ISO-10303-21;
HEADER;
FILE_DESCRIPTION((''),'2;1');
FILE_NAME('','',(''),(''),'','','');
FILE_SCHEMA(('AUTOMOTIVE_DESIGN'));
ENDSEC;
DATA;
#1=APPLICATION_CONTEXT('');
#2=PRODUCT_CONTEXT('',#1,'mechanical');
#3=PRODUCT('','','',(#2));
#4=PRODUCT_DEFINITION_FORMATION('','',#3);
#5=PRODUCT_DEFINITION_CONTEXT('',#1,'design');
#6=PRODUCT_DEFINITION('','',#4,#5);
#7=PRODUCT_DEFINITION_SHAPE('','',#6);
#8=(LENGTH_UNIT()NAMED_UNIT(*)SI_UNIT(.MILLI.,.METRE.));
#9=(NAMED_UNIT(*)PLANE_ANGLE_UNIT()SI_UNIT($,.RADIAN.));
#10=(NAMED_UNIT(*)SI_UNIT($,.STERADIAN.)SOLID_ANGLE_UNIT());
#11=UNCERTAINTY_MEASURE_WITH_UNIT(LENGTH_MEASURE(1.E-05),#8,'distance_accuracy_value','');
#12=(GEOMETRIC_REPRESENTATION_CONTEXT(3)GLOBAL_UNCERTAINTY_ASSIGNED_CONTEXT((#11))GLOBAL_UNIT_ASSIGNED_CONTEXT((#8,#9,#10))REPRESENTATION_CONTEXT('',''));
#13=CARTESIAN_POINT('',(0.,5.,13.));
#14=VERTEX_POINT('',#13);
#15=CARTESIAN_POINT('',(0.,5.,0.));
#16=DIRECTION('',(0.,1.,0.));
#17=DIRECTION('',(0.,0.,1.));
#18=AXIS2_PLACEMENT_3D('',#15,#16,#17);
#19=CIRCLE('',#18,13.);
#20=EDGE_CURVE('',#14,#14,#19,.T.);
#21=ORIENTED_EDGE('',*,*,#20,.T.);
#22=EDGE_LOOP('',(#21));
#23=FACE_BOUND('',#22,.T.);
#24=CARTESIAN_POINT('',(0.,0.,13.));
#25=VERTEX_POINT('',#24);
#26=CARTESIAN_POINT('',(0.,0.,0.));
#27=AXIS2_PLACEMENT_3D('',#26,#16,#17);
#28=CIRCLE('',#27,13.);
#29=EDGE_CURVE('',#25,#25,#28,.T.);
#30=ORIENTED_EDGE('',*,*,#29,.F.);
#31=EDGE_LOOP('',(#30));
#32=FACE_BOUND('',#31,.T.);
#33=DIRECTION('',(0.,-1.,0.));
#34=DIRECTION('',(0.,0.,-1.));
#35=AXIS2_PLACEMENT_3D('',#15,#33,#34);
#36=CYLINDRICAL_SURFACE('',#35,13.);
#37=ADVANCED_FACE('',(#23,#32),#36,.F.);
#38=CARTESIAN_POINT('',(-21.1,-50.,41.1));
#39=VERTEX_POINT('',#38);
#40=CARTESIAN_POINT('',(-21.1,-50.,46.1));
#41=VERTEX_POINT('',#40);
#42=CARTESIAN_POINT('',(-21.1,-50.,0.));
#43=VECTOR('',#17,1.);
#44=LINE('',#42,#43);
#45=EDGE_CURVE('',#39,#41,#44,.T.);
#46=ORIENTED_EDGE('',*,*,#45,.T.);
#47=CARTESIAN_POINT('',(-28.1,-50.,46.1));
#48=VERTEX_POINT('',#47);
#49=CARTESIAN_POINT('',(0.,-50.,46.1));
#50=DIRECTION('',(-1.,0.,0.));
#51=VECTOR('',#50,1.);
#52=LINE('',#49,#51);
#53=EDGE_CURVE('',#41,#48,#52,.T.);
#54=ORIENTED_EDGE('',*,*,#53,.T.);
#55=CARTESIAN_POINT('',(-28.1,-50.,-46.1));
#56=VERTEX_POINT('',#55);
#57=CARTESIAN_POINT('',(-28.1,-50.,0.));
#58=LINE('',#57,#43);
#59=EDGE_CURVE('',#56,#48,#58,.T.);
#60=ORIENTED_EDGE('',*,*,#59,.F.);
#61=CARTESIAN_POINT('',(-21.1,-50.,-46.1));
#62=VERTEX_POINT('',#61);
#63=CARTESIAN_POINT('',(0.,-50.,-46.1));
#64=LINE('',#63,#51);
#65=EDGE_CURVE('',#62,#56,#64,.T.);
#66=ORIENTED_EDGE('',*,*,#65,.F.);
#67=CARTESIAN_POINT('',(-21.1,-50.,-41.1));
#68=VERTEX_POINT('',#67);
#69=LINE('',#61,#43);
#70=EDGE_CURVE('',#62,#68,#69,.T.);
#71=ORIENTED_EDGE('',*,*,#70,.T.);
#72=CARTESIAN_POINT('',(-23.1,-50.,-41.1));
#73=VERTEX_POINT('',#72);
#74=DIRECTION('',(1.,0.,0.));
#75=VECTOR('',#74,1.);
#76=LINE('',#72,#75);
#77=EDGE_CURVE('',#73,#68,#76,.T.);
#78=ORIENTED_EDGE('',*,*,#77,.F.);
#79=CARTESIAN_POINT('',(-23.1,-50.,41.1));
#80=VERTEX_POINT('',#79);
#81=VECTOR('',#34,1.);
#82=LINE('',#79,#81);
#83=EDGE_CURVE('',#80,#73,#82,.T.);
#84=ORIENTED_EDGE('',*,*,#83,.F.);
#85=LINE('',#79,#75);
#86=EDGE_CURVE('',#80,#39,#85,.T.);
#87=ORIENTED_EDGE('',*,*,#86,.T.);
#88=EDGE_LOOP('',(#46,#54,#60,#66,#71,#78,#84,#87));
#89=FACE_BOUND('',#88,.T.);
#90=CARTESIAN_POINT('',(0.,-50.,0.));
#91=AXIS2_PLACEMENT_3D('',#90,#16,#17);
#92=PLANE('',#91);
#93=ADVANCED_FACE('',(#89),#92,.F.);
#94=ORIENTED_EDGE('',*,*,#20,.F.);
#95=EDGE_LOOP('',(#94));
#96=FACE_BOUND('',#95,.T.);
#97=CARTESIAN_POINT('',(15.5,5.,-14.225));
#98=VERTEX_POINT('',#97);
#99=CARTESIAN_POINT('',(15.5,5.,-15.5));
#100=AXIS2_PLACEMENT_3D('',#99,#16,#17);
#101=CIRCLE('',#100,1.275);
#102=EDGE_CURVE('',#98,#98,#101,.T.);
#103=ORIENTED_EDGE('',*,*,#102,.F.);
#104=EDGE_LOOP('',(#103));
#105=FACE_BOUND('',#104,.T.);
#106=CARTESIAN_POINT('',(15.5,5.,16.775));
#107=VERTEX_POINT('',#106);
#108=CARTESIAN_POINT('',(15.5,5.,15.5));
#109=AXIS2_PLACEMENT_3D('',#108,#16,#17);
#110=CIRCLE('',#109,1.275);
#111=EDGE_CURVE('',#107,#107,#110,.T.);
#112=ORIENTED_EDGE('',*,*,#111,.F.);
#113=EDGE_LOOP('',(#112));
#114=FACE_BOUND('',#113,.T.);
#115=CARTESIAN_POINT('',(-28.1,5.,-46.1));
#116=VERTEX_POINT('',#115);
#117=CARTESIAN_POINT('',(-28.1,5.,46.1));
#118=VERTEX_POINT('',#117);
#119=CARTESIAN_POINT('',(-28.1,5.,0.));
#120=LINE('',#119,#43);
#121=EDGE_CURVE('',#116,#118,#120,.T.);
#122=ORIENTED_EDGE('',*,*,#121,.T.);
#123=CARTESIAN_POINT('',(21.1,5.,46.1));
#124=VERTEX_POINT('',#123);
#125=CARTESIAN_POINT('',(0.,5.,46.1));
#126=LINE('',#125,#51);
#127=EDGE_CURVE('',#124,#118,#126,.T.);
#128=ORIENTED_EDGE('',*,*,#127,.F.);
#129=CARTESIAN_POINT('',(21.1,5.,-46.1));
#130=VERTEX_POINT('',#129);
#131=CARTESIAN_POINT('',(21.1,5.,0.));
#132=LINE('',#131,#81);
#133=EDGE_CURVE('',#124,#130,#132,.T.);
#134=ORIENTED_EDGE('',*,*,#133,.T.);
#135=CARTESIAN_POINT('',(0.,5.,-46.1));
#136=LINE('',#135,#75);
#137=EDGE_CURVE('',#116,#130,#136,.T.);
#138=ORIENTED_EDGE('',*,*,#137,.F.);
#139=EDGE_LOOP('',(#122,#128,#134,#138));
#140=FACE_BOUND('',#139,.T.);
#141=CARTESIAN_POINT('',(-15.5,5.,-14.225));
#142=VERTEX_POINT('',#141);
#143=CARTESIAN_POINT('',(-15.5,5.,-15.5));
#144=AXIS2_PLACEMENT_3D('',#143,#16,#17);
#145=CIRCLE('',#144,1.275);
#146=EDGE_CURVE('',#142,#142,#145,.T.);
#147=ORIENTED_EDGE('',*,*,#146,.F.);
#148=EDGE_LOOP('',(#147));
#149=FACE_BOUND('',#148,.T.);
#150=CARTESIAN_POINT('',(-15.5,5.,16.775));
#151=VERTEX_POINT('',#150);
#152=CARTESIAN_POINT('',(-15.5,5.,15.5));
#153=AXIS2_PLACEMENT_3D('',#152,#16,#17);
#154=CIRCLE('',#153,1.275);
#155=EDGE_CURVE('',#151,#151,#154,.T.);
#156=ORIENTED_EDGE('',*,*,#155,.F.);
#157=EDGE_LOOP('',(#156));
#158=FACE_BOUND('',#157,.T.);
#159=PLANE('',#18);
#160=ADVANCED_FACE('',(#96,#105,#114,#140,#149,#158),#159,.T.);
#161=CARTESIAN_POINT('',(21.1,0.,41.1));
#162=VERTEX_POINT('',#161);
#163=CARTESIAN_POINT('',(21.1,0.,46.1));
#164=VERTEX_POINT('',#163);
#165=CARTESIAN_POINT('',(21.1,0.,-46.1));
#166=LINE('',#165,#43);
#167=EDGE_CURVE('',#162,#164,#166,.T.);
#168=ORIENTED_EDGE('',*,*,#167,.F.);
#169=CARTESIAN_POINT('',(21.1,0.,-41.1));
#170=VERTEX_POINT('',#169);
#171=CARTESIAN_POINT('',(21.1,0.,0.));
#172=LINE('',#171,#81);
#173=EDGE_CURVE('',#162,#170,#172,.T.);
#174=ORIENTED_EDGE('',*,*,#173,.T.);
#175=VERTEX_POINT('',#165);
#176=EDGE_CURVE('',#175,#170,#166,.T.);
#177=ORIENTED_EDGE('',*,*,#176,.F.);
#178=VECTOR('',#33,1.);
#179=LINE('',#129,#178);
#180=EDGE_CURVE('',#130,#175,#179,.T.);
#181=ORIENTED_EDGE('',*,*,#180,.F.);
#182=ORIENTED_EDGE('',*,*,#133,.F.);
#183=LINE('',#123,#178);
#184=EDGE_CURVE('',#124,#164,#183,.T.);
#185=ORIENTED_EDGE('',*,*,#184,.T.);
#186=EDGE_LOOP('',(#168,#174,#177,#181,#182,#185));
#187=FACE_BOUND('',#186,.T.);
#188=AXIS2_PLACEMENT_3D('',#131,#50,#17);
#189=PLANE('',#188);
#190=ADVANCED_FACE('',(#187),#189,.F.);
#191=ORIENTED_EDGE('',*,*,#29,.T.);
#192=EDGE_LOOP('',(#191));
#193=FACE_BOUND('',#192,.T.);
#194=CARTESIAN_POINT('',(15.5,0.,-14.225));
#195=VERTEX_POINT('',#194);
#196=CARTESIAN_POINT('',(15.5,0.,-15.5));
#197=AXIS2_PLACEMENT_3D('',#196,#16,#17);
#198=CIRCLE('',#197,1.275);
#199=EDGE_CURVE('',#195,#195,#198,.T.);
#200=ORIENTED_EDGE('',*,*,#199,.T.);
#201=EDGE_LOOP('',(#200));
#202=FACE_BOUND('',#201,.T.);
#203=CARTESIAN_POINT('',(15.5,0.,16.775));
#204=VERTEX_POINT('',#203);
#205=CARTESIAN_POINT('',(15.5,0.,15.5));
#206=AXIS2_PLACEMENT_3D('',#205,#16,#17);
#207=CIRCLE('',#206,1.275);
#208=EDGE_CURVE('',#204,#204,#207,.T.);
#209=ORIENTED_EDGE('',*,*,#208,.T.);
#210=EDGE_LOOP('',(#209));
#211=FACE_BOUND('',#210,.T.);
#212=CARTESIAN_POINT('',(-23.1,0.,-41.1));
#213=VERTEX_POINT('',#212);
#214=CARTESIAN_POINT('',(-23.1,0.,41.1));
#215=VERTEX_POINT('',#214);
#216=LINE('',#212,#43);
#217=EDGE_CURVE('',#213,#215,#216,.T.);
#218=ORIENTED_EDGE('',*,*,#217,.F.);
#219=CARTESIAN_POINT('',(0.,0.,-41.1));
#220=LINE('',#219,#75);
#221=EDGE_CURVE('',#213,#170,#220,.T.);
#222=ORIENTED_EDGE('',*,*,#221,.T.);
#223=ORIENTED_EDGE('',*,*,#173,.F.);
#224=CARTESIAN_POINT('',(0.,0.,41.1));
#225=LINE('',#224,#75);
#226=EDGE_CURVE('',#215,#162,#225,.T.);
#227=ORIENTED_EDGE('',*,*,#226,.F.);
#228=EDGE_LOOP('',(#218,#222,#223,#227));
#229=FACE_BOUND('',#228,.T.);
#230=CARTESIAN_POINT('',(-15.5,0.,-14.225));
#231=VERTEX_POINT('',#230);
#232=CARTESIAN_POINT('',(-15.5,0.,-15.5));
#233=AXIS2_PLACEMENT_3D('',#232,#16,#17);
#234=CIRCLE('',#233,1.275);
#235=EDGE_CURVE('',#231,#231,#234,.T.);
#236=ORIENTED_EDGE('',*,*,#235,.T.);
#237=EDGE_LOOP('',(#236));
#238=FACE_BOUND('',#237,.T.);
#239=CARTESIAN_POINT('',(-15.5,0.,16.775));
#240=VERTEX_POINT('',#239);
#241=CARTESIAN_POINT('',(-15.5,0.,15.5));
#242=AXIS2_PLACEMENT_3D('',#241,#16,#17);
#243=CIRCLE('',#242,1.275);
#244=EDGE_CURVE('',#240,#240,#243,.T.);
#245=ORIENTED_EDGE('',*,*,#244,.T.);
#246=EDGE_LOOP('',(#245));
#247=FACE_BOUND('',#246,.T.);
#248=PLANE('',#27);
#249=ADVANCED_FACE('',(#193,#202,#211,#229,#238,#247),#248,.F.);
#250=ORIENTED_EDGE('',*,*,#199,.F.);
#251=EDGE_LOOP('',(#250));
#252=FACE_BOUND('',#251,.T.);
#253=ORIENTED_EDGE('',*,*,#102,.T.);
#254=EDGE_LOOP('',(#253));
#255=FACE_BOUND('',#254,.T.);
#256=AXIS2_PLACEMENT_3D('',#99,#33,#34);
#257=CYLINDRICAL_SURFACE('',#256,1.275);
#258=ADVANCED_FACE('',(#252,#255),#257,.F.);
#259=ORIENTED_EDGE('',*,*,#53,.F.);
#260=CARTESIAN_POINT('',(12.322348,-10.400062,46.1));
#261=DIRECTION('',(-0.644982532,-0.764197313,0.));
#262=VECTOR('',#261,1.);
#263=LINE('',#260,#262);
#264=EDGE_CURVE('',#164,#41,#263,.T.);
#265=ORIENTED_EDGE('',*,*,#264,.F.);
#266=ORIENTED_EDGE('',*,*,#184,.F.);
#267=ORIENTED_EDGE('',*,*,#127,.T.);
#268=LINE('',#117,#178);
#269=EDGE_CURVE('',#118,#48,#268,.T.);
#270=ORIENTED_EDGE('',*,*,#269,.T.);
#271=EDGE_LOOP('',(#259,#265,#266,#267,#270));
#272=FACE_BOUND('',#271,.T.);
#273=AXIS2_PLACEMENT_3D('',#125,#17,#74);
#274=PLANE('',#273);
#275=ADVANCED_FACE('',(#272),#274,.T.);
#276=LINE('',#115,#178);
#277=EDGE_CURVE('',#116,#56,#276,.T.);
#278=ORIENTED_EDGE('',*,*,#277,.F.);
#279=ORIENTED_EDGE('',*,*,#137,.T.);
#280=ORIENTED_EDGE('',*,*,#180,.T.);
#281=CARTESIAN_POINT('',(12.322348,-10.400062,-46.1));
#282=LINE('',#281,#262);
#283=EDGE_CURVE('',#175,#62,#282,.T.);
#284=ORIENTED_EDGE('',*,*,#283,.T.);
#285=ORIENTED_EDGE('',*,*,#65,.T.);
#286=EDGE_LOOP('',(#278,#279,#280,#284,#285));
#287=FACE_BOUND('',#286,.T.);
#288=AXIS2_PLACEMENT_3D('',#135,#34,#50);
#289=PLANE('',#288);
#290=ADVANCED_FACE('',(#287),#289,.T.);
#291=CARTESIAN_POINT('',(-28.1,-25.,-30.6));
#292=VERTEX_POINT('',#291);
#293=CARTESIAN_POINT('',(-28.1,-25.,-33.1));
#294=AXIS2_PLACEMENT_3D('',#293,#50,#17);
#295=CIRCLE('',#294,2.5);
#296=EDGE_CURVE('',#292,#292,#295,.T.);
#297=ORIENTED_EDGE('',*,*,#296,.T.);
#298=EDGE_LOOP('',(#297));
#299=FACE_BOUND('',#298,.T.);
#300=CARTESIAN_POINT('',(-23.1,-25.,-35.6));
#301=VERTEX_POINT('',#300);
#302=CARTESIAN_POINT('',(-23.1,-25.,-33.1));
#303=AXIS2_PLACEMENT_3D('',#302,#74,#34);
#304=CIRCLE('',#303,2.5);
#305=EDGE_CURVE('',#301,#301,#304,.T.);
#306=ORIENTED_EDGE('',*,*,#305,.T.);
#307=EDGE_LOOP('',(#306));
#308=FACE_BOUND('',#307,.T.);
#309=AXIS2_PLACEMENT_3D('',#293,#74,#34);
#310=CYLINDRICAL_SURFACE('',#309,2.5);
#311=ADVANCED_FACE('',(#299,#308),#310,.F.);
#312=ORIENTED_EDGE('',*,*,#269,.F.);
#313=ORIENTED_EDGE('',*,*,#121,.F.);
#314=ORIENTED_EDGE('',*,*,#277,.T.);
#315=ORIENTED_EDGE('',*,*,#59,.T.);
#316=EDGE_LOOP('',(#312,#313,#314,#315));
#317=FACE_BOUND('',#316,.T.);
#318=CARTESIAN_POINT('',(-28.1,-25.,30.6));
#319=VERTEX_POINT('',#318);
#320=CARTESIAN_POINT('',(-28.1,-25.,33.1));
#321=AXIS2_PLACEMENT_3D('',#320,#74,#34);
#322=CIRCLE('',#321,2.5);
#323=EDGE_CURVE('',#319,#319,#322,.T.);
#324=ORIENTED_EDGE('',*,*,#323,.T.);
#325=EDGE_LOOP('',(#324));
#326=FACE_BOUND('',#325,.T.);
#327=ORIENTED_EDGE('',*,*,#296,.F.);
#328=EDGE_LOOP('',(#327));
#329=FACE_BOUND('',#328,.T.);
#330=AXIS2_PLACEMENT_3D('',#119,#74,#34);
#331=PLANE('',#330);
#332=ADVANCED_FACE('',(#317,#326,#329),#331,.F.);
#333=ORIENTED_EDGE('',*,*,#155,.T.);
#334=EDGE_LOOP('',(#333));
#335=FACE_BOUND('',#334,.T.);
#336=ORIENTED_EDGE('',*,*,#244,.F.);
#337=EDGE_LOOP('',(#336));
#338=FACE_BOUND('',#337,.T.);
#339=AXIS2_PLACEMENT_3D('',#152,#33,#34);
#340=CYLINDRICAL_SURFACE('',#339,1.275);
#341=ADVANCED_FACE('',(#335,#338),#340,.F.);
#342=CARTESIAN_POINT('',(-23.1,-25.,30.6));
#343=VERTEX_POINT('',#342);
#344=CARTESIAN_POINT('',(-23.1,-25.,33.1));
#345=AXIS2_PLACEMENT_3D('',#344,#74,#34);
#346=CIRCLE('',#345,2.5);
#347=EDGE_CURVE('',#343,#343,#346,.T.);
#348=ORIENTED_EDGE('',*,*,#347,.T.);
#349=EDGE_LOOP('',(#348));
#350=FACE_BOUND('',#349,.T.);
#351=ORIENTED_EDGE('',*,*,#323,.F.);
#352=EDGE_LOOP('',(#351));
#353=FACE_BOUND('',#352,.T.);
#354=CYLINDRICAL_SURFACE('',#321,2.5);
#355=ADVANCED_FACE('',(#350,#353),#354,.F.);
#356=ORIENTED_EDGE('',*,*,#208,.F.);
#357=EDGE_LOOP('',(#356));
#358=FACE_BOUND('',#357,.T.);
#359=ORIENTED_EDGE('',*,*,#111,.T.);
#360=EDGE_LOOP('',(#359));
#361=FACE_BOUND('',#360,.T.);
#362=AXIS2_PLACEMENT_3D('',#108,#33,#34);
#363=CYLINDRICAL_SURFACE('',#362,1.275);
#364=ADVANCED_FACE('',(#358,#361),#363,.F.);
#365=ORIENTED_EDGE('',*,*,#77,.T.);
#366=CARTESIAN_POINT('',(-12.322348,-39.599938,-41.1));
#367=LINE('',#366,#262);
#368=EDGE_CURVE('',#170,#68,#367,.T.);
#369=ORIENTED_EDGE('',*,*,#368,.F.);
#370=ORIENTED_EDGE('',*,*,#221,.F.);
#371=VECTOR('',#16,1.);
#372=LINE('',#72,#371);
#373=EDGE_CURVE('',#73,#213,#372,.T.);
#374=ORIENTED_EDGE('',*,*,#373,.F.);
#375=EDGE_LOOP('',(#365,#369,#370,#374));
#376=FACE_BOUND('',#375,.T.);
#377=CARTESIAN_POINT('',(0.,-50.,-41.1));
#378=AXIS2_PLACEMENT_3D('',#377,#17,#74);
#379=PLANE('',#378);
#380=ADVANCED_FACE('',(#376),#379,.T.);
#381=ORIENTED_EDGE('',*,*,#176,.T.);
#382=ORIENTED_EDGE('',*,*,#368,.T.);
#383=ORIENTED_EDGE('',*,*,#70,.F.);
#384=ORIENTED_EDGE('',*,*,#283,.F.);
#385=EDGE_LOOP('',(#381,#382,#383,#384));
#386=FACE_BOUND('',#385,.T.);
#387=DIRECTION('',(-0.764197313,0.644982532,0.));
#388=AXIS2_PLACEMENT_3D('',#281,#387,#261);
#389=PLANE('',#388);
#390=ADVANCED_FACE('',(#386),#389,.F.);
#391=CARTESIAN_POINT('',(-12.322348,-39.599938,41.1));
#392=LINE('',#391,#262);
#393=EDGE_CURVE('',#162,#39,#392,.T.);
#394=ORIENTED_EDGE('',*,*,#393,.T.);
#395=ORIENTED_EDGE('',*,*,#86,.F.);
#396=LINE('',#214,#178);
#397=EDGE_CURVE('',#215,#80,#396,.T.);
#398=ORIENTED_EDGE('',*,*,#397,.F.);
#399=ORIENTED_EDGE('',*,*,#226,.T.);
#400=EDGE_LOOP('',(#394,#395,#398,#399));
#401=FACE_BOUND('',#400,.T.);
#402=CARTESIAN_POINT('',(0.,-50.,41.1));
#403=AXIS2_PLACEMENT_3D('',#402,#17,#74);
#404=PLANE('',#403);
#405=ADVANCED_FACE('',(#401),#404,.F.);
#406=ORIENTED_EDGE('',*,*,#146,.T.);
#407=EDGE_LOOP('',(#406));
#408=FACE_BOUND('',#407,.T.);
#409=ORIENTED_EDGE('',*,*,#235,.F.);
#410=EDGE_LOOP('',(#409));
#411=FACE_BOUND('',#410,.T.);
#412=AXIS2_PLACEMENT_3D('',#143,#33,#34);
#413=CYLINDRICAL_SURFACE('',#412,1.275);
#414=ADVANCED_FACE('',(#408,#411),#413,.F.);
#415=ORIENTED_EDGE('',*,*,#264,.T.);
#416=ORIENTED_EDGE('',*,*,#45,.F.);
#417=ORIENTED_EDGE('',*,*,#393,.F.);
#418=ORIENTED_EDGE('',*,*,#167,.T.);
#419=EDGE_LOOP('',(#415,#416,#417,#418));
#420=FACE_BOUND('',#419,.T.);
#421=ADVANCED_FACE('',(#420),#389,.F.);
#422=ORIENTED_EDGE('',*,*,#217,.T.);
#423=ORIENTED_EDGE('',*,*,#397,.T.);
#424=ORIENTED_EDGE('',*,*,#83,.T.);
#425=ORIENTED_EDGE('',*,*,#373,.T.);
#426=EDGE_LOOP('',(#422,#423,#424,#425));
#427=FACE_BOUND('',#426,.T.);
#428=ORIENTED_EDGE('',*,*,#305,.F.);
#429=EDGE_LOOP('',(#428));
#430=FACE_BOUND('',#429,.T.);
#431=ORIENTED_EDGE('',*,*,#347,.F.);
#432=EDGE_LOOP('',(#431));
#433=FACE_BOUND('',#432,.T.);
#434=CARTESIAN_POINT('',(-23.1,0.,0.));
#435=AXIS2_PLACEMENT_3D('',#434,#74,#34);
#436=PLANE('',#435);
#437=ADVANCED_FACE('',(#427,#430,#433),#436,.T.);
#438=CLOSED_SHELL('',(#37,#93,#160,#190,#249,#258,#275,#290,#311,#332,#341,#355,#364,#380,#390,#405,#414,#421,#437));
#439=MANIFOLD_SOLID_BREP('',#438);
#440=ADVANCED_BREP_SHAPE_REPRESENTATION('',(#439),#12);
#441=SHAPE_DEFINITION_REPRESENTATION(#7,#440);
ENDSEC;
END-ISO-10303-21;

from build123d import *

# Parameters (mm, degrees)
SKETCH1_W           = 49.2
SKETCH1_H           = 92.2
SKETCH1_R           = 1.275
SKETCH1_R_2         = 13
BOSS_EXTRUDE3_DEPTH = 5
BOSS_EXTRUDE4_DEPTH = 50
CUT_EXTRUDE1_DEPTH  = 109.583838576
SKETCH3_R           = 2.5
CUT_EXTRUDE2_DEPTH  = 81.037803568
SKETCH5_W           = 82.2
SKETCH5_H           = 50
SKETCH5_R           = 2.5
CUT_EXTRUDE3_DEPTH  = 2


with BuildPart() as part:
    # Sketch1 → Boss-Extrude3 (new body)
    with BuildSketch(Plane(origin=(0, 0, 0), x_dir=(1, 0, 0), z_dir=(0, 1, 0))):
        with Locations((-3.5, 0)):
            Rectangle(SKETCH1_W, SKETCH1_H)
        with Locations((-15.5, -15.5)):
            Circle(SKETCH1_R, mode=Mode.SUBTRACT)
        with Locations((15.5, -15.5)):
            Circle(SKETCH1_R, mode=Mode.SUBTRACT)
        with Locations((-15.5, 15.5)):
            Circle(SKETCH1_R, mode=Mode.SUBTRACT)
        Circle(SKETCH1_R_2, mode=Mode.SUBTRACT)
        with Locations((15.5, 15.5)):
            Circle(SKETCH1_R, mode=Mode.SUBTRACT)
    extrude(amount=BOSS_EXTRUDE3_DEPTH)

    # Sketch1<3> → Boss-Extrude4 (add)
    with BuildSketch(Plane(origin=(0, 0, 0), x_dir=(1, 0, 0), z_dir=(0, 1, 0))):
        Polygon((-21.1, 41.1), (21.1, 41.1), (21.1, 46.1), (-28.1, 46.1), (-28.1, -46.1), (21.1, -46.1), (21.1, -41.1), (-21.1, -41.1), align=None)
    extrude(amount=-BOSS_EXTRUDE4_DEPTH)

    # Sketch2 → Cut-Extrude1 (cut, through all)
    with BuildSketch(Plane.XY.offset(46.1)):
        Polygon((21.1, 0), (-21.1, -50), (21.1, -50), align=None)
    extrude(amount=-CUT_EXTRUDE1_DEPTH, mode=Mode.SUBTRACT)

    # Sketch3 → Cut-Extrude2 (cut, through all)
    with BuildSketch(Plane(origin=(-21.1, 0, 0), x_dir=(0, 0, -1), z_dir=(1, 0, 0))):
        with Locations((-33.1, -25)):
            Circle(SKETCH3_R)
        with Locations((33.1, -25)):
            Circle(SKETCH3_R)
    extrude(amount=-CUT_EXTRUDE2_DEPTH, mode=Mode.SUBTRACT)

    # Sketch5 → Cut-Extrude3 (cut)
    with BuildSketch(Plane(origin=(-21.1, 0, 0), x_dir=(0, 0, -1), z_dir=(1, 0, 0))):
        with Locations((0, -25)):
            Rectangle(SKETCH5_W, SKETCH5_H)
        with Locations((33.1, -25)):
            Circle(SKETCH5_R, mode=Mode.SUBTRACT)
        with Locations((-33.1, -25)):
            Circle(SKETCH5_R, mode=Mode.SUBTRACT)
    extrude(amount=-CUT_EXTRUDE3_DEPTH, mode=Mode.SUBTRACT)


solid = part.part
